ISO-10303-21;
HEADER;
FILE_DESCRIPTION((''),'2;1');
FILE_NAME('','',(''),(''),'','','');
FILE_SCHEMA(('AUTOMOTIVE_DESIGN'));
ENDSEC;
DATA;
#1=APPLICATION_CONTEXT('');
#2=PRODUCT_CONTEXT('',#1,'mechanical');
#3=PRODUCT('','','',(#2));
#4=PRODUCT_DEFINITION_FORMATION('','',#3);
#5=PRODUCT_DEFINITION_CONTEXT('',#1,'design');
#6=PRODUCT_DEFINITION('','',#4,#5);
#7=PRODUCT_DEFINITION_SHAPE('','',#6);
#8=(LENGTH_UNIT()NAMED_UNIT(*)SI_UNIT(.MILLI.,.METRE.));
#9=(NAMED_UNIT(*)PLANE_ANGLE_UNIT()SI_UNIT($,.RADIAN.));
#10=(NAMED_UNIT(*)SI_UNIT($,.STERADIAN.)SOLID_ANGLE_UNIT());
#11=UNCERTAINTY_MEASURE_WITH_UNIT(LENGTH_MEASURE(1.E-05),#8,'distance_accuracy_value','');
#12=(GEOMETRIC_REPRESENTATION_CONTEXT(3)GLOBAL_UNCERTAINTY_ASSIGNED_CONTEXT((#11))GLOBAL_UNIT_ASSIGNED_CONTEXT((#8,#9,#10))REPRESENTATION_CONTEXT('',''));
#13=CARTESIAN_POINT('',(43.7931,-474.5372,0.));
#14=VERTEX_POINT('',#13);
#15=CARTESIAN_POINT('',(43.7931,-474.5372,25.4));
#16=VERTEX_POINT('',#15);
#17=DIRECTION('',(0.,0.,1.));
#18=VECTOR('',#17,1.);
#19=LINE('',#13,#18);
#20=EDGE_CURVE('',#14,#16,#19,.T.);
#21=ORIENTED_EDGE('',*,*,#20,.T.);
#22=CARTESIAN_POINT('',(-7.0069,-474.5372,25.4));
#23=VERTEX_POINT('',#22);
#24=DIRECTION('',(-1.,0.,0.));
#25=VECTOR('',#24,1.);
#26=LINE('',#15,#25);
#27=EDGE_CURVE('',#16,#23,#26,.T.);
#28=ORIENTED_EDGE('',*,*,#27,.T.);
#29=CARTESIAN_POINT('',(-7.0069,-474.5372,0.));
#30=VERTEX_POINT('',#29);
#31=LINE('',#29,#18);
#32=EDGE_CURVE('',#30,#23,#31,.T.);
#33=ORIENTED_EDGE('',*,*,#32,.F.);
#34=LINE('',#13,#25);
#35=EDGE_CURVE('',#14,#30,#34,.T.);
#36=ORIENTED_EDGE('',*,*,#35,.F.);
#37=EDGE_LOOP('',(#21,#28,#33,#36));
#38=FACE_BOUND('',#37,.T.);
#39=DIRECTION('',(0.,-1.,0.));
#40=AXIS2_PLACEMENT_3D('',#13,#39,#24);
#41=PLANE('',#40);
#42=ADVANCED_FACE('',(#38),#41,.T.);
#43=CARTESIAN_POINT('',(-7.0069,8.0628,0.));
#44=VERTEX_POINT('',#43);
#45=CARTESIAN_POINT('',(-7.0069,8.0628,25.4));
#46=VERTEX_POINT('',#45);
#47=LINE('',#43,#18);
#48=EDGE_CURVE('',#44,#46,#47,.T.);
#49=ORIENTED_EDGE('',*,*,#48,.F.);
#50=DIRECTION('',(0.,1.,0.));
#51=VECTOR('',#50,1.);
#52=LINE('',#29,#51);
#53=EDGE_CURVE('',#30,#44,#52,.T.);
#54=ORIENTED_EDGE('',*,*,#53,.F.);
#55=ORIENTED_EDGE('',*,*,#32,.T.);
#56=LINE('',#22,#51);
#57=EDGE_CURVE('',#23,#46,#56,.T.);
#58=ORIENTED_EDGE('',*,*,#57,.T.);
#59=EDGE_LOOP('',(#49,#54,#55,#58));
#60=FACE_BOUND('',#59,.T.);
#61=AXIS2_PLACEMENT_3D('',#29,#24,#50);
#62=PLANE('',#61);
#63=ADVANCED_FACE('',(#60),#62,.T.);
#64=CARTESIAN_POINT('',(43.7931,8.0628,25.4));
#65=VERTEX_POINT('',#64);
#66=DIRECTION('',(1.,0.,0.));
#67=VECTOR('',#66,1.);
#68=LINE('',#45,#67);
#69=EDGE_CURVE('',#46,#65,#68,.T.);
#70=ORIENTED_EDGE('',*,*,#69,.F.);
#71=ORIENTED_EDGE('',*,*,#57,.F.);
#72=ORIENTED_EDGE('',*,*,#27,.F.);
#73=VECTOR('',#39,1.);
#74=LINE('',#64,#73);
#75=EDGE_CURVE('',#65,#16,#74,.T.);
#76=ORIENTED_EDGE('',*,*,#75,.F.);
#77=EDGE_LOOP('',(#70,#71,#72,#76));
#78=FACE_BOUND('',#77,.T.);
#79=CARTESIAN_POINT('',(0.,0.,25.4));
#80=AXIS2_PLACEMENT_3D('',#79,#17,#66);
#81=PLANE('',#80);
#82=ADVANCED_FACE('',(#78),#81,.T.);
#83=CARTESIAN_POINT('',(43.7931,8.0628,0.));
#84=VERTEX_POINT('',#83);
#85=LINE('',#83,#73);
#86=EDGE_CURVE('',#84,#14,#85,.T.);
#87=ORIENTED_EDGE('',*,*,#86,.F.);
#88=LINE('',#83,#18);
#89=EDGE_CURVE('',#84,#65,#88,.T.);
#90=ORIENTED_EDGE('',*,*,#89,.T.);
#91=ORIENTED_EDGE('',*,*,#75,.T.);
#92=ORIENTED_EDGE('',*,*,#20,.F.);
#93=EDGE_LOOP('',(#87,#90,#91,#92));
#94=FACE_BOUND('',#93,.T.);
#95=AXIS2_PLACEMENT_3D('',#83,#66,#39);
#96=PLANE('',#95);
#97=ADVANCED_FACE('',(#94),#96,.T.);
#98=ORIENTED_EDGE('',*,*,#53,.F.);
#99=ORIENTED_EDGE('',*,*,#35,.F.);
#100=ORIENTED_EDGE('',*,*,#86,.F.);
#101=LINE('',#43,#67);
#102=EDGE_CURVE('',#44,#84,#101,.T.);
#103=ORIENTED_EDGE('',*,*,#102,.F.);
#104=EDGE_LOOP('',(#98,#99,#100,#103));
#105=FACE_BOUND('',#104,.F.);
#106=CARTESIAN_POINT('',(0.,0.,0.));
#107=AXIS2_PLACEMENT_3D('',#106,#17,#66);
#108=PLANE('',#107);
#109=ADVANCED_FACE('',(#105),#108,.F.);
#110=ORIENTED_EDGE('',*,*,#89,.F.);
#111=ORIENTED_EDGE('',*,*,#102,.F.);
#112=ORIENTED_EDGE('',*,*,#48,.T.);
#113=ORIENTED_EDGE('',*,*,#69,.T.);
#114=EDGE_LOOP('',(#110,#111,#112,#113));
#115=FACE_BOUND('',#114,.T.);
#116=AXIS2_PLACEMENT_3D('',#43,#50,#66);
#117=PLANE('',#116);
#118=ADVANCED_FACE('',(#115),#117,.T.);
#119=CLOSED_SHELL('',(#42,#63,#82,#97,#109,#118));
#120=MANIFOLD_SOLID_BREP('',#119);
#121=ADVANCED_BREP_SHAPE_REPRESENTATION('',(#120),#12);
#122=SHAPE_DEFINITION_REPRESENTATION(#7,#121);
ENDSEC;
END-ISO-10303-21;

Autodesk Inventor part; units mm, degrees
ref_plane "YZ Plane" through (0, 0, 0) normal (1, 0, 0) x (0, 1, 0)
ref_plane "XZ Plane" through (0, 0, 0) normal (0, 1, 0) x (-1, 0, 0)
ref_plane "XY Plane" through (0, 0, 0) normal (0, 0, 1) x (1, 0, 0)
sketch "Sketch1" plane through (0, 0, 0) normal (0, 0, 1) x (1, 0, 0)
  line L0 (-7.0069, 8.0628) -> (43.7931, 8.0628)
  line L1 (43.7931, 8.0628) -> (43.7931, -474.5372)
  line L2 (43.7931, -474.5372) -> (-7.0069, -474.5372)
  line L3 (-7.0069, -474.5372) -> (-7.0069, 8.0628)
  point P0 (0, 0)
  dimension "d0" = 50.8
  dimension "d1" = 482.6
extrude "Extrusion1" add sketch "Sketch1" along normal blind 25.4
properties part number "RearPushBar"
